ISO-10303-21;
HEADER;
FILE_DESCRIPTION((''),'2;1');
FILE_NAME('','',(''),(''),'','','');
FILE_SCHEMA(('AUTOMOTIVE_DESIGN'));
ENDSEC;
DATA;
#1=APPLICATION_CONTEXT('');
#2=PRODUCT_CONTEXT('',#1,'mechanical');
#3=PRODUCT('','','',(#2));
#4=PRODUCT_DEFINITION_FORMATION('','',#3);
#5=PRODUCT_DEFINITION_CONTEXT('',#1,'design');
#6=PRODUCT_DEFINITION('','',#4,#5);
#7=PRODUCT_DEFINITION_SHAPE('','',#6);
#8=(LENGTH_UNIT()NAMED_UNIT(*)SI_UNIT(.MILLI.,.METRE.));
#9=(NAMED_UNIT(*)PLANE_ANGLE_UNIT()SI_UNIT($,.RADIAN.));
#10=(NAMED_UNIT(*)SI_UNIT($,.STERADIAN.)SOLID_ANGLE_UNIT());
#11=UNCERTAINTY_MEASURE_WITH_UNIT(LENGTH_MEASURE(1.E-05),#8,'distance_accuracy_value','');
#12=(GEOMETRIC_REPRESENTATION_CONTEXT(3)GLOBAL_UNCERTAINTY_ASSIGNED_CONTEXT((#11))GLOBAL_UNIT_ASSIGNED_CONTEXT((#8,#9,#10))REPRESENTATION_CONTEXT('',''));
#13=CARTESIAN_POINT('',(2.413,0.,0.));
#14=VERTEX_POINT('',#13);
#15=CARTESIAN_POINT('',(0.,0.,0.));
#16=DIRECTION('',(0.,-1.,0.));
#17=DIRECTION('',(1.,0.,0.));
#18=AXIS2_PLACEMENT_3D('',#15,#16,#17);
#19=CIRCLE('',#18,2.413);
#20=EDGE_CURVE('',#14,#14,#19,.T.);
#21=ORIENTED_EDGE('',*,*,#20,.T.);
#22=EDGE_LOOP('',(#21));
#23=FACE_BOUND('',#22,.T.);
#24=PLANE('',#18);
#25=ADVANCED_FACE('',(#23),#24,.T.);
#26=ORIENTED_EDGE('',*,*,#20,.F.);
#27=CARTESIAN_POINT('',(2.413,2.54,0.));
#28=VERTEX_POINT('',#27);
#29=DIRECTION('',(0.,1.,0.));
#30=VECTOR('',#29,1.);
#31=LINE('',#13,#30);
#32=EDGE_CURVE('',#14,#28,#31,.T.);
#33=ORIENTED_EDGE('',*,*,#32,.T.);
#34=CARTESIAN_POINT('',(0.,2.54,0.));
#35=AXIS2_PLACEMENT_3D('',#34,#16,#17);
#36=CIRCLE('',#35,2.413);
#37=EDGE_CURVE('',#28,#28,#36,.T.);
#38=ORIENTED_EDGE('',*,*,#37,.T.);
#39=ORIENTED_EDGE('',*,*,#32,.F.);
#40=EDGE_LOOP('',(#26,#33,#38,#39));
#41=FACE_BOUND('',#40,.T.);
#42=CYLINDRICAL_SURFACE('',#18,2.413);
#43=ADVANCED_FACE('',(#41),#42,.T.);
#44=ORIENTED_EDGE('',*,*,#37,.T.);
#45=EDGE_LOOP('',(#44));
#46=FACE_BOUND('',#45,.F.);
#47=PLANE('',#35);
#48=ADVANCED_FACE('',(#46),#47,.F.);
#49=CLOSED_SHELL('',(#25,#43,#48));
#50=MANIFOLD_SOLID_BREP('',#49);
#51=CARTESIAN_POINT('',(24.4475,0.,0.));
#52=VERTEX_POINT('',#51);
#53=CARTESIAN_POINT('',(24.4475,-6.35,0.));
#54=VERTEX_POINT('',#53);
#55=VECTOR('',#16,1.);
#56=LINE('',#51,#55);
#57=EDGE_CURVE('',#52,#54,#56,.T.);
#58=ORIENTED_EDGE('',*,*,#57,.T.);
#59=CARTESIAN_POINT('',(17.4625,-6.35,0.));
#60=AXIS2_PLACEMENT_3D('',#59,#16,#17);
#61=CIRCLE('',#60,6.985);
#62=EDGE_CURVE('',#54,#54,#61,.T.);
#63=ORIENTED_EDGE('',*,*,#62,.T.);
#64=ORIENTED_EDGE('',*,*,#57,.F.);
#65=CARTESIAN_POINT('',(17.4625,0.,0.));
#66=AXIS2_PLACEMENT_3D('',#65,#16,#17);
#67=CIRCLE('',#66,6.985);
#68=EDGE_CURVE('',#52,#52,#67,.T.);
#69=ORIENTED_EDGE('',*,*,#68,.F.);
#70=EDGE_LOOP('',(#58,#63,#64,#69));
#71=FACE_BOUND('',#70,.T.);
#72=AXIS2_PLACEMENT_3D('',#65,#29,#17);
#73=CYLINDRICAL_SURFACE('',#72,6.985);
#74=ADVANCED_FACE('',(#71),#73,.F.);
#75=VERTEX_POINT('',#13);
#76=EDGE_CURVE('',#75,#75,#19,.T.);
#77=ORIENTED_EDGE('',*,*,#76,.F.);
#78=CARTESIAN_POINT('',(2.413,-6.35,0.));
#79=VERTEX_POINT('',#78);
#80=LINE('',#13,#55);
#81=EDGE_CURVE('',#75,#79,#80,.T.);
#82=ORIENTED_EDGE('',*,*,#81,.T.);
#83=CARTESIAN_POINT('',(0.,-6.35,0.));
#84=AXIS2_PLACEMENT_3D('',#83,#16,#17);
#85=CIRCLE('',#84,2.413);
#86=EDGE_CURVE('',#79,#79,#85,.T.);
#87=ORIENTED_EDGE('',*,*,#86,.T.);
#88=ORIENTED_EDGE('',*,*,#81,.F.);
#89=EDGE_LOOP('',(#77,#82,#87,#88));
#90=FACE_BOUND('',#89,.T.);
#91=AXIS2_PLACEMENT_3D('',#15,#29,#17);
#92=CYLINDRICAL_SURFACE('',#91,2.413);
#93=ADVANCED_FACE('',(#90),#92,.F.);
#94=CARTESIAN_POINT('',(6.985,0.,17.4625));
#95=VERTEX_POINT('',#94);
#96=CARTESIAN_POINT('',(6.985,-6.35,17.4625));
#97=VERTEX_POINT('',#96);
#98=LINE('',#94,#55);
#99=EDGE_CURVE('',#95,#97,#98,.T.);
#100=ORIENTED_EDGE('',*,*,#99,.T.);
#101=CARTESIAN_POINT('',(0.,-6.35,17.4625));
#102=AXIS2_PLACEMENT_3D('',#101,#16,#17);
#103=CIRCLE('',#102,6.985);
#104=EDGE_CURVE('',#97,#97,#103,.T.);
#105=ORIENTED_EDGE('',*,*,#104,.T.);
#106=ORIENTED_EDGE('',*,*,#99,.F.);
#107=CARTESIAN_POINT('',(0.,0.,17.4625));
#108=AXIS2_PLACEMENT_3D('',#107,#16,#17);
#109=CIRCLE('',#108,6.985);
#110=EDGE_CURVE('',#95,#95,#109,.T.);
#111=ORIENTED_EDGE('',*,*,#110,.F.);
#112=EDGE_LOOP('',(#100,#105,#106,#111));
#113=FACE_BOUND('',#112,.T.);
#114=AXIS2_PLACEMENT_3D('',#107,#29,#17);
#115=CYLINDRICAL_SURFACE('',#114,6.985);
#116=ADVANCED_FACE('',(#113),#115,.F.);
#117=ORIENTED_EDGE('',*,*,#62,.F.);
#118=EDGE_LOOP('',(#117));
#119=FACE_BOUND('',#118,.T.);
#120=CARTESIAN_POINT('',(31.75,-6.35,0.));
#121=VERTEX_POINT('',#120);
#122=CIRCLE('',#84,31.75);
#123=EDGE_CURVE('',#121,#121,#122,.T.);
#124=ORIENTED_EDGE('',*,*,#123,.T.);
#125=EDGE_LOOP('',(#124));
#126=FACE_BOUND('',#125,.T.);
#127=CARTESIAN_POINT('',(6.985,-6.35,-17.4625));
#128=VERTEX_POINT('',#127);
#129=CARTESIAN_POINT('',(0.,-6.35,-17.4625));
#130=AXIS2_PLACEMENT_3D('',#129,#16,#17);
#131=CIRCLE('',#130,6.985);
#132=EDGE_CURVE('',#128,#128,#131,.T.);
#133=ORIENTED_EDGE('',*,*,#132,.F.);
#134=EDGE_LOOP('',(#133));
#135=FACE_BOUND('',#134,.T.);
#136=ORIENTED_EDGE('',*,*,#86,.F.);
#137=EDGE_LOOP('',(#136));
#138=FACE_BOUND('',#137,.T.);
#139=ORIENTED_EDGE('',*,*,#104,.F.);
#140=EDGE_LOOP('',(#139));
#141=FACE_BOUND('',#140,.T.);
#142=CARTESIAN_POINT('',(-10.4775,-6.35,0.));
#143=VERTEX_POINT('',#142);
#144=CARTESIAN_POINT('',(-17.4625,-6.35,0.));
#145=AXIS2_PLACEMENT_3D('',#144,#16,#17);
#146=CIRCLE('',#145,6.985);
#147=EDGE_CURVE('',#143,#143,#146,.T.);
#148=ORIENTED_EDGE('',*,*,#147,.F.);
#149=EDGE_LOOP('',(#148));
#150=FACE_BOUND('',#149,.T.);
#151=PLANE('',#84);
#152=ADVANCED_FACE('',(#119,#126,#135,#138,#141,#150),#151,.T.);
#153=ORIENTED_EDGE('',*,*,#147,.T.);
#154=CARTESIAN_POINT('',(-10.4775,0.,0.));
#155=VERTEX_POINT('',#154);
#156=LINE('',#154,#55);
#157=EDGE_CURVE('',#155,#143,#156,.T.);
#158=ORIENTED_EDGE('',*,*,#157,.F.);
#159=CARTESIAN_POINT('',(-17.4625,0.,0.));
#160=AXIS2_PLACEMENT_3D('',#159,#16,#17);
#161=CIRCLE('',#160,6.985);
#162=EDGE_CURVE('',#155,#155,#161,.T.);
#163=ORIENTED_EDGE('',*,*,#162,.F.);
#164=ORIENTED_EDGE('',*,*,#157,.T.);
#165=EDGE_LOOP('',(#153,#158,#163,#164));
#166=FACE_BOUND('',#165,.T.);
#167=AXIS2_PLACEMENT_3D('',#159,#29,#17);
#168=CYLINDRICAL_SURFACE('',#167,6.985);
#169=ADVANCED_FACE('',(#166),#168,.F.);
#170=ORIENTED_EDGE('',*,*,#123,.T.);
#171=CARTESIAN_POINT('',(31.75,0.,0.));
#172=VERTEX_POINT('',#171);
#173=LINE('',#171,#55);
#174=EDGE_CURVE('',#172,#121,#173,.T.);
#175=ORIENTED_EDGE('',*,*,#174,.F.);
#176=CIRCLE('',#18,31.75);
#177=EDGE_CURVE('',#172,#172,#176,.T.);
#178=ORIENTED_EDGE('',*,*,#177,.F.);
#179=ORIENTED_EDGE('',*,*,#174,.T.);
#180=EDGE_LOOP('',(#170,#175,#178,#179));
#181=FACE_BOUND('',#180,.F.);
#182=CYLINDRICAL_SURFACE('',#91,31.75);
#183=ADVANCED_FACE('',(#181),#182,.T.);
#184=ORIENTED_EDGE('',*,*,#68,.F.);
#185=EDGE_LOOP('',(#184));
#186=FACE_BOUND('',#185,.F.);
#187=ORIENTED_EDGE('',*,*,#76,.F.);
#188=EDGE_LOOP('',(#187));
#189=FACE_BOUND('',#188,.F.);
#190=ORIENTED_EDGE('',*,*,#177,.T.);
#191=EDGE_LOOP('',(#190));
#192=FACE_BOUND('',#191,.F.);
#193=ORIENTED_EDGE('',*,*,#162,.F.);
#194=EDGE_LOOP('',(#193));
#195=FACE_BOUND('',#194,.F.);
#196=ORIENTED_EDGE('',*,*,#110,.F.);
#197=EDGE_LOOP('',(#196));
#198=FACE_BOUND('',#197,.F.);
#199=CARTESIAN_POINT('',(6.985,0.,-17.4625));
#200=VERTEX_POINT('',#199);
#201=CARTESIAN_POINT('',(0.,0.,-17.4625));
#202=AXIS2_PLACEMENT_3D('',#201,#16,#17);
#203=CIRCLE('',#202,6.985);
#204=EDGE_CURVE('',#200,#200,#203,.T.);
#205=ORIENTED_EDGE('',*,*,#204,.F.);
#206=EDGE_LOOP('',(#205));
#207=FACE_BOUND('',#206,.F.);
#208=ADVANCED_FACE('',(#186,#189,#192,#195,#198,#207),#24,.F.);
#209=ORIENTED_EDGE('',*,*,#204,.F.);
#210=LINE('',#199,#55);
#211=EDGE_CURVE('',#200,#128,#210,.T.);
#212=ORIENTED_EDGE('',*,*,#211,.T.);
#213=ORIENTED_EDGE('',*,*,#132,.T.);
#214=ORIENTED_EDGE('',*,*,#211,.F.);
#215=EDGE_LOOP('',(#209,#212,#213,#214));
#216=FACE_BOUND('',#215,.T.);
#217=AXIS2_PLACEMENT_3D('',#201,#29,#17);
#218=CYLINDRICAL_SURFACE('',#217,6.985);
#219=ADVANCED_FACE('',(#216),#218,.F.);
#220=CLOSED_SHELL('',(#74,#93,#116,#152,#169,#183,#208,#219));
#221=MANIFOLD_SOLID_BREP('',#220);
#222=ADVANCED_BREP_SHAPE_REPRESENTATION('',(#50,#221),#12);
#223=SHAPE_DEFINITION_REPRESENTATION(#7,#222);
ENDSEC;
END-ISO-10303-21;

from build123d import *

# Parameters (mm, degrees)
F0_R     = 31.75
F0_R_2   = 6.985
F0_R_3   = 2.413
F1_DEPTH = 6.35
F2_DEPTH = 2.54


with BuildPart() as f1:
    # F0 (on Front) → F1 (new body)
    with BuildSketch(Plane.XZ):
        Circle(F0_R)
        with Locations((0, -17.4625)):
            Circle(F0_R_2, mode=Mode.SUBTRACT)
        with Locations((-17.4625, 0)):
            Circle(F0_R_2, mode=Mode.SUBTRACT)
        Circle(F0_R_3, mode=Mode.SUBTRACT)
        with Locations((17.4625, 0)):
            Circle(F0_R_2, mode=Mode.SUBTRACT)
        with Locations((0, 17.4625)):
            Circle(F0_R_2, mode=Mode.SUBTRACT)
    extrude(amount=F1_DEPTH)


with BuildPart() as f2:
    # F0 (on Front) → F2 (new body)
    with BuildSketch(Plane.XZ):
        Circle(F0_R_3)
    extrude(amount=-F2_DEPTH)


solid = Compound([f1.part, f2.part])
